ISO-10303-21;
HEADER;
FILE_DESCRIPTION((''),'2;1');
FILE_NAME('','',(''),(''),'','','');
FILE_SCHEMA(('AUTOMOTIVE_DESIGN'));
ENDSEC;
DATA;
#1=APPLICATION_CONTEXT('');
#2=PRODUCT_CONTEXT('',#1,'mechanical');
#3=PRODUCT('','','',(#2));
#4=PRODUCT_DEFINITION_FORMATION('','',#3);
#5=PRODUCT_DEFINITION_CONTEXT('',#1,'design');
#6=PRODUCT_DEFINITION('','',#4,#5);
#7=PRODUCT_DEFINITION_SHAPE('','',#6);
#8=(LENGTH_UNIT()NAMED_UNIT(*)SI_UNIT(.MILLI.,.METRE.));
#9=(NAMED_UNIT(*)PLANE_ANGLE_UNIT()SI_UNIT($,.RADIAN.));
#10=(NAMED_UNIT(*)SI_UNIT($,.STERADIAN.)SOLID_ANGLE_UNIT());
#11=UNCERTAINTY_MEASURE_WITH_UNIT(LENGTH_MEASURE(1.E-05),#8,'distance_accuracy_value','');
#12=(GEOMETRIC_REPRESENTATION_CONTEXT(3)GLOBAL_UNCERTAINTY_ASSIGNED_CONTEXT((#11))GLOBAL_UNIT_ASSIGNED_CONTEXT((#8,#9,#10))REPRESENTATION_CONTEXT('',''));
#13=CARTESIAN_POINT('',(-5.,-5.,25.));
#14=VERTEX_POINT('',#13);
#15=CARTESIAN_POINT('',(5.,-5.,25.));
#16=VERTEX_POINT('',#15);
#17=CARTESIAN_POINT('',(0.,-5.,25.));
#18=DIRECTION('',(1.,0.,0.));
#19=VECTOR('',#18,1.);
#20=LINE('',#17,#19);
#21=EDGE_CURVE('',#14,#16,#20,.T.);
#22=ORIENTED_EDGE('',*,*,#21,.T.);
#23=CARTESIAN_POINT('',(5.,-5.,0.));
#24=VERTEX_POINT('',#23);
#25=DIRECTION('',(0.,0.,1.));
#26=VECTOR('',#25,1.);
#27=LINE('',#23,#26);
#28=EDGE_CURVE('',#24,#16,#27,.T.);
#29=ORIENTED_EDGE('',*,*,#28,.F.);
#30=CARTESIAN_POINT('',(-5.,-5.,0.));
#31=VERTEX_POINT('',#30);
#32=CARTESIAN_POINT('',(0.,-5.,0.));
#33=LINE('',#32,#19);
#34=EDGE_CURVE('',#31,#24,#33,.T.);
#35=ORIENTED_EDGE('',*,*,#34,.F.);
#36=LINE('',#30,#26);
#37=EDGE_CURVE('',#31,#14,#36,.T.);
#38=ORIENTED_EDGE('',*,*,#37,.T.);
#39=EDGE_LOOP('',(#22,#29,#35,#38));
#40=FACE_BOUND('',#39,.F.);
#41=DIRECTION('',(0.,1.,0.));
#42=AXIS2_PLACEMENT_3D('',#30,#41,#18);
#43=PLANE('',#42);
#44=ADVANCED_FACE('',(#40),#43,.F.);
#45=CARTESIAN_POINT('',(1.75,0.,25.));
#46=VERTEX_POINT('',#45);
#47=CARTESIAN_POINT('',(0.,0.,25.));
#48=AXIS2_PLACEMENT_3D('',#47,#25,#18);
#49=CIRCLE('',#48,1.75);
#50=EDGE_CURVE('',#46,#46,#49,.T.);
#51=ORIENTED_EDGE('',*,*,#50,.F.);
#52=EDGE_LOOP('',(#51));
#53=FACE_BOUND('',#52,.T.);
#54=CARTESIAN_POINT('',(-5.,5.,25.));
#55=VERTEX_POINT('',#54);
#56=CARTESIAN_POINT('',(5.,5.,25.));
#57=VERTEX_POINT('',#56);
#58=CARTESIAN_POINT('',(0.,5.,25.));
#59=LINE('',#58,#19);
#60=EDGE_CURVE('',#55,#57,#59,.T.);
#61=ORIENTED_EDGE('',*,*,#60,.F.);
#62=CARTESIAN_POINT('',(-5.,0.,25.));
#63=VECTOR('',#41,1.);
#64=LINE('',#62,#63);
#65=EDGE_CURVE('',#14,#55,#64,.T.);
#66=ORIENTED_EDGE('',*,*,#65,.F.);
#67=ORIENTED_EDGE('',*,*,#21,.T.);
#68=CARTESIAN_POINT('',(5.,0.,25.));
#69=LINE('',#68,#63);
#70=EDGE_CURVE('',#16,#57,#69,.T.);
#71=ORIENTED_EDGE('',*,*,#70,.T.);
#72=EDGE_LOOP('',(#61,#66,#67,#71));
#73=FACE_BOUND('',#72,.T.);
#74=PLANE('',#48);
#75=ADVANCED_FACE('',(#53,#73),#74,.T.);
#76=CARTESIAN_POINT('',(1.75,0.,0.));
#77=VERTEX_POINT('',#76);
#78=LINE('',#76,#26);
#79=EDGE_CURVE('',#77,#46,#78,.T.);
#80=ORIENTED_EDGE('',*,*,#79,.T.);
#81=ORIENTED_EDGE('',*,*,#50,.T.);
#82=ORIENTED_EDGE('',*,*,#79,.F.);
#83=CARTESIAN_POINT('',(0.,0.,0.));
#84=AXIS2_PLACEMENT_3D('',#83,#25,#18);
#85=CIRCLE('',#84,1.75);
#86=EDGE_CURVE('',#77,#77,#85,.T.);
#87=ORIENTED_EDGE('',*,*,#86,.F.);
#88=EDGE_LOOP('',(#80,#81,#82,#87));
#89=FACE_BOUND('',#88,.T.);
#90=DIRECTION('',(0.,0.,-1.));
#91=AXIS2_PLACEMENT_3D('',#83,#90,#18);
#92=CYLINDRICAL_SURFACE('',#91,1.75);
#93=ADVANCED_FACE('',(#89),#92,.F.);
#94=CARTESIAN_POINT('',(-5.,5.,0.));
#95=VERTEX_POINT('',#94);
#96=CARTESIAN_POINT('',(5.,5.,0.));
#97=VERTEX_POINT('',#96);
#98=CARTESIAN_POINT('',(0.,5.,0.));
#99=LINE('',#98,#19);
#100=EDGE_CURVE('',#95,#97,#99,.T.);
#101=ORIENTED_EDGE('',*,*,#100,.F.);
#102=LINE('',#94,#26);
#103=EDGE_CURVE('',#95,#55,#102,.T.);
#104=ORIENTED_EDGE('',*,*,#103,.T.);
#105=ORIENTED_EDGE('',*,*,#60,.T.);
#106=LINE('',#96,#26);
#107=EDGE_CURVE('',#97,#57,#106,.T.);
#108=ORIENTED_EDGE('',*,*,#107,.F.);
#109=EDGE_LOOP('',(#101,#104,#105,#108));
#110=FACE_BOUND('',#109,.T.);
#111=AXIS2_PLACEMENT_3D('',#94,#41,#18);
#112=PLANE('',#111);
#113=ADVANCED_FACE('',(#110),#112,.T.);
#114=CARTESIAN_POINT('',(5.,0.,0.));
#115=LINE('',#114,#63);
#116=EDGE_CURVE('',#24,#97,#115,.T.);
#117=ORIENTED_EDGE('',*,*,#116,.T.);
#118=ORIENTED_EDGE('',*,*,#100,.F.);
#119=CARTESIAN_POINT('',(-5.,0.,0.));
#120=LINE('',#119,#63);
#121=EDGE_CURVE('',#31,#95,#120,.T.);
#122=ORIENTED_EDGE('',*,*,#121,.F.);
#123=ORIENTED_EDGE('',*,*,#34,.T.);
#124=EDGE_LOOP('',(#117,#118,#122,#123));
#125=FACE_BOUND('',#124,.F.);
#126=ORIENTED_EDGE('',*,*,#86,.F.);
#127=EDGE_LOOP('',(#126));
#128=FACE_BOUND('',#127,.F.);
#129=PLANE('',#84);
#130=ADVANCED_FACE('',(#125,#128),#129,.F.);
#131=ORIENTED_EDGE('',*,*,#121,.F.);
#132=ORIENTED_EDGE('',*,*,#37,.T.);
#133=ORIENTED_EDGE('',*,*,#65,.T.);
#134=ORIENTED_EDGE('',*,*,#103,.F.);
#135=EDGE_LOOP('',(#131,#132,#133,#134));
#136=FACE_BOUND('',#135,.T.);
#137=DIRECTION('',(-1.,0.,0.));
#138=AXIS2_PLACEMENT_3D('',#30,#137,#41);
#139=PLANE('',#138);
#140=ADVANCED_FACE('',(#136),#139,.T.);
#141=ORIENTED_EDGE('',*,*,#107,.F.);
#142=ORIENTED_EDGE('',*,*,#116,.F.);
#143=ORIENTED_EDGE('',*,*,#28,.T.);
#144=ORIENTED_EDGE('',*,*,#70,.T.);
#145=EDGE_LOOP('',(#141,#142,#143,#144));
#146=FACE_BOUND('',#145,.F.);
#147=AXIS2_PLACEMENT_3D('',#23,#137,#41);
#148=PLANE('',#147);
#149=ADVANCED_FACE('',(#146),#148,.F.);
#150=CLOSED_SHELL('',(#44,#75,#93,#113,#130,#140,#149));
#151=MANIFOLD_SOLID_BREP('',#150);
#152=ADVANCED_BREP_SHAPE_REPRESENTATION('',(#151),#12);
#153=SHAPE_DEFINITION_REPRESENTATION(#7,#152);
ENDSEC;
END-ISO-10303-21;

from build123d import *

# Parameters (mm, degrees)
F1_W     = 10
F1_H     = 10
F2_DEPTH = 25
F0_R     = 1.75
F3_DEPTH = 25


with BuildPart() as f2:
    # F1 (on Top) → F2 (new body)
    with BuildSketch(Plane.XY):
        Rectangle(F1_W, F1_H)
    extrude(amount=F2_DEPTH)

    # F0 (on Top) → F3 (cut, through all)
    with BuildSketch(Plane.XY):
        Circle(F0_R)
    extrude(amount=F3_DEPTH, mode=Mode.SUBTRACT)


solid = f2.part
